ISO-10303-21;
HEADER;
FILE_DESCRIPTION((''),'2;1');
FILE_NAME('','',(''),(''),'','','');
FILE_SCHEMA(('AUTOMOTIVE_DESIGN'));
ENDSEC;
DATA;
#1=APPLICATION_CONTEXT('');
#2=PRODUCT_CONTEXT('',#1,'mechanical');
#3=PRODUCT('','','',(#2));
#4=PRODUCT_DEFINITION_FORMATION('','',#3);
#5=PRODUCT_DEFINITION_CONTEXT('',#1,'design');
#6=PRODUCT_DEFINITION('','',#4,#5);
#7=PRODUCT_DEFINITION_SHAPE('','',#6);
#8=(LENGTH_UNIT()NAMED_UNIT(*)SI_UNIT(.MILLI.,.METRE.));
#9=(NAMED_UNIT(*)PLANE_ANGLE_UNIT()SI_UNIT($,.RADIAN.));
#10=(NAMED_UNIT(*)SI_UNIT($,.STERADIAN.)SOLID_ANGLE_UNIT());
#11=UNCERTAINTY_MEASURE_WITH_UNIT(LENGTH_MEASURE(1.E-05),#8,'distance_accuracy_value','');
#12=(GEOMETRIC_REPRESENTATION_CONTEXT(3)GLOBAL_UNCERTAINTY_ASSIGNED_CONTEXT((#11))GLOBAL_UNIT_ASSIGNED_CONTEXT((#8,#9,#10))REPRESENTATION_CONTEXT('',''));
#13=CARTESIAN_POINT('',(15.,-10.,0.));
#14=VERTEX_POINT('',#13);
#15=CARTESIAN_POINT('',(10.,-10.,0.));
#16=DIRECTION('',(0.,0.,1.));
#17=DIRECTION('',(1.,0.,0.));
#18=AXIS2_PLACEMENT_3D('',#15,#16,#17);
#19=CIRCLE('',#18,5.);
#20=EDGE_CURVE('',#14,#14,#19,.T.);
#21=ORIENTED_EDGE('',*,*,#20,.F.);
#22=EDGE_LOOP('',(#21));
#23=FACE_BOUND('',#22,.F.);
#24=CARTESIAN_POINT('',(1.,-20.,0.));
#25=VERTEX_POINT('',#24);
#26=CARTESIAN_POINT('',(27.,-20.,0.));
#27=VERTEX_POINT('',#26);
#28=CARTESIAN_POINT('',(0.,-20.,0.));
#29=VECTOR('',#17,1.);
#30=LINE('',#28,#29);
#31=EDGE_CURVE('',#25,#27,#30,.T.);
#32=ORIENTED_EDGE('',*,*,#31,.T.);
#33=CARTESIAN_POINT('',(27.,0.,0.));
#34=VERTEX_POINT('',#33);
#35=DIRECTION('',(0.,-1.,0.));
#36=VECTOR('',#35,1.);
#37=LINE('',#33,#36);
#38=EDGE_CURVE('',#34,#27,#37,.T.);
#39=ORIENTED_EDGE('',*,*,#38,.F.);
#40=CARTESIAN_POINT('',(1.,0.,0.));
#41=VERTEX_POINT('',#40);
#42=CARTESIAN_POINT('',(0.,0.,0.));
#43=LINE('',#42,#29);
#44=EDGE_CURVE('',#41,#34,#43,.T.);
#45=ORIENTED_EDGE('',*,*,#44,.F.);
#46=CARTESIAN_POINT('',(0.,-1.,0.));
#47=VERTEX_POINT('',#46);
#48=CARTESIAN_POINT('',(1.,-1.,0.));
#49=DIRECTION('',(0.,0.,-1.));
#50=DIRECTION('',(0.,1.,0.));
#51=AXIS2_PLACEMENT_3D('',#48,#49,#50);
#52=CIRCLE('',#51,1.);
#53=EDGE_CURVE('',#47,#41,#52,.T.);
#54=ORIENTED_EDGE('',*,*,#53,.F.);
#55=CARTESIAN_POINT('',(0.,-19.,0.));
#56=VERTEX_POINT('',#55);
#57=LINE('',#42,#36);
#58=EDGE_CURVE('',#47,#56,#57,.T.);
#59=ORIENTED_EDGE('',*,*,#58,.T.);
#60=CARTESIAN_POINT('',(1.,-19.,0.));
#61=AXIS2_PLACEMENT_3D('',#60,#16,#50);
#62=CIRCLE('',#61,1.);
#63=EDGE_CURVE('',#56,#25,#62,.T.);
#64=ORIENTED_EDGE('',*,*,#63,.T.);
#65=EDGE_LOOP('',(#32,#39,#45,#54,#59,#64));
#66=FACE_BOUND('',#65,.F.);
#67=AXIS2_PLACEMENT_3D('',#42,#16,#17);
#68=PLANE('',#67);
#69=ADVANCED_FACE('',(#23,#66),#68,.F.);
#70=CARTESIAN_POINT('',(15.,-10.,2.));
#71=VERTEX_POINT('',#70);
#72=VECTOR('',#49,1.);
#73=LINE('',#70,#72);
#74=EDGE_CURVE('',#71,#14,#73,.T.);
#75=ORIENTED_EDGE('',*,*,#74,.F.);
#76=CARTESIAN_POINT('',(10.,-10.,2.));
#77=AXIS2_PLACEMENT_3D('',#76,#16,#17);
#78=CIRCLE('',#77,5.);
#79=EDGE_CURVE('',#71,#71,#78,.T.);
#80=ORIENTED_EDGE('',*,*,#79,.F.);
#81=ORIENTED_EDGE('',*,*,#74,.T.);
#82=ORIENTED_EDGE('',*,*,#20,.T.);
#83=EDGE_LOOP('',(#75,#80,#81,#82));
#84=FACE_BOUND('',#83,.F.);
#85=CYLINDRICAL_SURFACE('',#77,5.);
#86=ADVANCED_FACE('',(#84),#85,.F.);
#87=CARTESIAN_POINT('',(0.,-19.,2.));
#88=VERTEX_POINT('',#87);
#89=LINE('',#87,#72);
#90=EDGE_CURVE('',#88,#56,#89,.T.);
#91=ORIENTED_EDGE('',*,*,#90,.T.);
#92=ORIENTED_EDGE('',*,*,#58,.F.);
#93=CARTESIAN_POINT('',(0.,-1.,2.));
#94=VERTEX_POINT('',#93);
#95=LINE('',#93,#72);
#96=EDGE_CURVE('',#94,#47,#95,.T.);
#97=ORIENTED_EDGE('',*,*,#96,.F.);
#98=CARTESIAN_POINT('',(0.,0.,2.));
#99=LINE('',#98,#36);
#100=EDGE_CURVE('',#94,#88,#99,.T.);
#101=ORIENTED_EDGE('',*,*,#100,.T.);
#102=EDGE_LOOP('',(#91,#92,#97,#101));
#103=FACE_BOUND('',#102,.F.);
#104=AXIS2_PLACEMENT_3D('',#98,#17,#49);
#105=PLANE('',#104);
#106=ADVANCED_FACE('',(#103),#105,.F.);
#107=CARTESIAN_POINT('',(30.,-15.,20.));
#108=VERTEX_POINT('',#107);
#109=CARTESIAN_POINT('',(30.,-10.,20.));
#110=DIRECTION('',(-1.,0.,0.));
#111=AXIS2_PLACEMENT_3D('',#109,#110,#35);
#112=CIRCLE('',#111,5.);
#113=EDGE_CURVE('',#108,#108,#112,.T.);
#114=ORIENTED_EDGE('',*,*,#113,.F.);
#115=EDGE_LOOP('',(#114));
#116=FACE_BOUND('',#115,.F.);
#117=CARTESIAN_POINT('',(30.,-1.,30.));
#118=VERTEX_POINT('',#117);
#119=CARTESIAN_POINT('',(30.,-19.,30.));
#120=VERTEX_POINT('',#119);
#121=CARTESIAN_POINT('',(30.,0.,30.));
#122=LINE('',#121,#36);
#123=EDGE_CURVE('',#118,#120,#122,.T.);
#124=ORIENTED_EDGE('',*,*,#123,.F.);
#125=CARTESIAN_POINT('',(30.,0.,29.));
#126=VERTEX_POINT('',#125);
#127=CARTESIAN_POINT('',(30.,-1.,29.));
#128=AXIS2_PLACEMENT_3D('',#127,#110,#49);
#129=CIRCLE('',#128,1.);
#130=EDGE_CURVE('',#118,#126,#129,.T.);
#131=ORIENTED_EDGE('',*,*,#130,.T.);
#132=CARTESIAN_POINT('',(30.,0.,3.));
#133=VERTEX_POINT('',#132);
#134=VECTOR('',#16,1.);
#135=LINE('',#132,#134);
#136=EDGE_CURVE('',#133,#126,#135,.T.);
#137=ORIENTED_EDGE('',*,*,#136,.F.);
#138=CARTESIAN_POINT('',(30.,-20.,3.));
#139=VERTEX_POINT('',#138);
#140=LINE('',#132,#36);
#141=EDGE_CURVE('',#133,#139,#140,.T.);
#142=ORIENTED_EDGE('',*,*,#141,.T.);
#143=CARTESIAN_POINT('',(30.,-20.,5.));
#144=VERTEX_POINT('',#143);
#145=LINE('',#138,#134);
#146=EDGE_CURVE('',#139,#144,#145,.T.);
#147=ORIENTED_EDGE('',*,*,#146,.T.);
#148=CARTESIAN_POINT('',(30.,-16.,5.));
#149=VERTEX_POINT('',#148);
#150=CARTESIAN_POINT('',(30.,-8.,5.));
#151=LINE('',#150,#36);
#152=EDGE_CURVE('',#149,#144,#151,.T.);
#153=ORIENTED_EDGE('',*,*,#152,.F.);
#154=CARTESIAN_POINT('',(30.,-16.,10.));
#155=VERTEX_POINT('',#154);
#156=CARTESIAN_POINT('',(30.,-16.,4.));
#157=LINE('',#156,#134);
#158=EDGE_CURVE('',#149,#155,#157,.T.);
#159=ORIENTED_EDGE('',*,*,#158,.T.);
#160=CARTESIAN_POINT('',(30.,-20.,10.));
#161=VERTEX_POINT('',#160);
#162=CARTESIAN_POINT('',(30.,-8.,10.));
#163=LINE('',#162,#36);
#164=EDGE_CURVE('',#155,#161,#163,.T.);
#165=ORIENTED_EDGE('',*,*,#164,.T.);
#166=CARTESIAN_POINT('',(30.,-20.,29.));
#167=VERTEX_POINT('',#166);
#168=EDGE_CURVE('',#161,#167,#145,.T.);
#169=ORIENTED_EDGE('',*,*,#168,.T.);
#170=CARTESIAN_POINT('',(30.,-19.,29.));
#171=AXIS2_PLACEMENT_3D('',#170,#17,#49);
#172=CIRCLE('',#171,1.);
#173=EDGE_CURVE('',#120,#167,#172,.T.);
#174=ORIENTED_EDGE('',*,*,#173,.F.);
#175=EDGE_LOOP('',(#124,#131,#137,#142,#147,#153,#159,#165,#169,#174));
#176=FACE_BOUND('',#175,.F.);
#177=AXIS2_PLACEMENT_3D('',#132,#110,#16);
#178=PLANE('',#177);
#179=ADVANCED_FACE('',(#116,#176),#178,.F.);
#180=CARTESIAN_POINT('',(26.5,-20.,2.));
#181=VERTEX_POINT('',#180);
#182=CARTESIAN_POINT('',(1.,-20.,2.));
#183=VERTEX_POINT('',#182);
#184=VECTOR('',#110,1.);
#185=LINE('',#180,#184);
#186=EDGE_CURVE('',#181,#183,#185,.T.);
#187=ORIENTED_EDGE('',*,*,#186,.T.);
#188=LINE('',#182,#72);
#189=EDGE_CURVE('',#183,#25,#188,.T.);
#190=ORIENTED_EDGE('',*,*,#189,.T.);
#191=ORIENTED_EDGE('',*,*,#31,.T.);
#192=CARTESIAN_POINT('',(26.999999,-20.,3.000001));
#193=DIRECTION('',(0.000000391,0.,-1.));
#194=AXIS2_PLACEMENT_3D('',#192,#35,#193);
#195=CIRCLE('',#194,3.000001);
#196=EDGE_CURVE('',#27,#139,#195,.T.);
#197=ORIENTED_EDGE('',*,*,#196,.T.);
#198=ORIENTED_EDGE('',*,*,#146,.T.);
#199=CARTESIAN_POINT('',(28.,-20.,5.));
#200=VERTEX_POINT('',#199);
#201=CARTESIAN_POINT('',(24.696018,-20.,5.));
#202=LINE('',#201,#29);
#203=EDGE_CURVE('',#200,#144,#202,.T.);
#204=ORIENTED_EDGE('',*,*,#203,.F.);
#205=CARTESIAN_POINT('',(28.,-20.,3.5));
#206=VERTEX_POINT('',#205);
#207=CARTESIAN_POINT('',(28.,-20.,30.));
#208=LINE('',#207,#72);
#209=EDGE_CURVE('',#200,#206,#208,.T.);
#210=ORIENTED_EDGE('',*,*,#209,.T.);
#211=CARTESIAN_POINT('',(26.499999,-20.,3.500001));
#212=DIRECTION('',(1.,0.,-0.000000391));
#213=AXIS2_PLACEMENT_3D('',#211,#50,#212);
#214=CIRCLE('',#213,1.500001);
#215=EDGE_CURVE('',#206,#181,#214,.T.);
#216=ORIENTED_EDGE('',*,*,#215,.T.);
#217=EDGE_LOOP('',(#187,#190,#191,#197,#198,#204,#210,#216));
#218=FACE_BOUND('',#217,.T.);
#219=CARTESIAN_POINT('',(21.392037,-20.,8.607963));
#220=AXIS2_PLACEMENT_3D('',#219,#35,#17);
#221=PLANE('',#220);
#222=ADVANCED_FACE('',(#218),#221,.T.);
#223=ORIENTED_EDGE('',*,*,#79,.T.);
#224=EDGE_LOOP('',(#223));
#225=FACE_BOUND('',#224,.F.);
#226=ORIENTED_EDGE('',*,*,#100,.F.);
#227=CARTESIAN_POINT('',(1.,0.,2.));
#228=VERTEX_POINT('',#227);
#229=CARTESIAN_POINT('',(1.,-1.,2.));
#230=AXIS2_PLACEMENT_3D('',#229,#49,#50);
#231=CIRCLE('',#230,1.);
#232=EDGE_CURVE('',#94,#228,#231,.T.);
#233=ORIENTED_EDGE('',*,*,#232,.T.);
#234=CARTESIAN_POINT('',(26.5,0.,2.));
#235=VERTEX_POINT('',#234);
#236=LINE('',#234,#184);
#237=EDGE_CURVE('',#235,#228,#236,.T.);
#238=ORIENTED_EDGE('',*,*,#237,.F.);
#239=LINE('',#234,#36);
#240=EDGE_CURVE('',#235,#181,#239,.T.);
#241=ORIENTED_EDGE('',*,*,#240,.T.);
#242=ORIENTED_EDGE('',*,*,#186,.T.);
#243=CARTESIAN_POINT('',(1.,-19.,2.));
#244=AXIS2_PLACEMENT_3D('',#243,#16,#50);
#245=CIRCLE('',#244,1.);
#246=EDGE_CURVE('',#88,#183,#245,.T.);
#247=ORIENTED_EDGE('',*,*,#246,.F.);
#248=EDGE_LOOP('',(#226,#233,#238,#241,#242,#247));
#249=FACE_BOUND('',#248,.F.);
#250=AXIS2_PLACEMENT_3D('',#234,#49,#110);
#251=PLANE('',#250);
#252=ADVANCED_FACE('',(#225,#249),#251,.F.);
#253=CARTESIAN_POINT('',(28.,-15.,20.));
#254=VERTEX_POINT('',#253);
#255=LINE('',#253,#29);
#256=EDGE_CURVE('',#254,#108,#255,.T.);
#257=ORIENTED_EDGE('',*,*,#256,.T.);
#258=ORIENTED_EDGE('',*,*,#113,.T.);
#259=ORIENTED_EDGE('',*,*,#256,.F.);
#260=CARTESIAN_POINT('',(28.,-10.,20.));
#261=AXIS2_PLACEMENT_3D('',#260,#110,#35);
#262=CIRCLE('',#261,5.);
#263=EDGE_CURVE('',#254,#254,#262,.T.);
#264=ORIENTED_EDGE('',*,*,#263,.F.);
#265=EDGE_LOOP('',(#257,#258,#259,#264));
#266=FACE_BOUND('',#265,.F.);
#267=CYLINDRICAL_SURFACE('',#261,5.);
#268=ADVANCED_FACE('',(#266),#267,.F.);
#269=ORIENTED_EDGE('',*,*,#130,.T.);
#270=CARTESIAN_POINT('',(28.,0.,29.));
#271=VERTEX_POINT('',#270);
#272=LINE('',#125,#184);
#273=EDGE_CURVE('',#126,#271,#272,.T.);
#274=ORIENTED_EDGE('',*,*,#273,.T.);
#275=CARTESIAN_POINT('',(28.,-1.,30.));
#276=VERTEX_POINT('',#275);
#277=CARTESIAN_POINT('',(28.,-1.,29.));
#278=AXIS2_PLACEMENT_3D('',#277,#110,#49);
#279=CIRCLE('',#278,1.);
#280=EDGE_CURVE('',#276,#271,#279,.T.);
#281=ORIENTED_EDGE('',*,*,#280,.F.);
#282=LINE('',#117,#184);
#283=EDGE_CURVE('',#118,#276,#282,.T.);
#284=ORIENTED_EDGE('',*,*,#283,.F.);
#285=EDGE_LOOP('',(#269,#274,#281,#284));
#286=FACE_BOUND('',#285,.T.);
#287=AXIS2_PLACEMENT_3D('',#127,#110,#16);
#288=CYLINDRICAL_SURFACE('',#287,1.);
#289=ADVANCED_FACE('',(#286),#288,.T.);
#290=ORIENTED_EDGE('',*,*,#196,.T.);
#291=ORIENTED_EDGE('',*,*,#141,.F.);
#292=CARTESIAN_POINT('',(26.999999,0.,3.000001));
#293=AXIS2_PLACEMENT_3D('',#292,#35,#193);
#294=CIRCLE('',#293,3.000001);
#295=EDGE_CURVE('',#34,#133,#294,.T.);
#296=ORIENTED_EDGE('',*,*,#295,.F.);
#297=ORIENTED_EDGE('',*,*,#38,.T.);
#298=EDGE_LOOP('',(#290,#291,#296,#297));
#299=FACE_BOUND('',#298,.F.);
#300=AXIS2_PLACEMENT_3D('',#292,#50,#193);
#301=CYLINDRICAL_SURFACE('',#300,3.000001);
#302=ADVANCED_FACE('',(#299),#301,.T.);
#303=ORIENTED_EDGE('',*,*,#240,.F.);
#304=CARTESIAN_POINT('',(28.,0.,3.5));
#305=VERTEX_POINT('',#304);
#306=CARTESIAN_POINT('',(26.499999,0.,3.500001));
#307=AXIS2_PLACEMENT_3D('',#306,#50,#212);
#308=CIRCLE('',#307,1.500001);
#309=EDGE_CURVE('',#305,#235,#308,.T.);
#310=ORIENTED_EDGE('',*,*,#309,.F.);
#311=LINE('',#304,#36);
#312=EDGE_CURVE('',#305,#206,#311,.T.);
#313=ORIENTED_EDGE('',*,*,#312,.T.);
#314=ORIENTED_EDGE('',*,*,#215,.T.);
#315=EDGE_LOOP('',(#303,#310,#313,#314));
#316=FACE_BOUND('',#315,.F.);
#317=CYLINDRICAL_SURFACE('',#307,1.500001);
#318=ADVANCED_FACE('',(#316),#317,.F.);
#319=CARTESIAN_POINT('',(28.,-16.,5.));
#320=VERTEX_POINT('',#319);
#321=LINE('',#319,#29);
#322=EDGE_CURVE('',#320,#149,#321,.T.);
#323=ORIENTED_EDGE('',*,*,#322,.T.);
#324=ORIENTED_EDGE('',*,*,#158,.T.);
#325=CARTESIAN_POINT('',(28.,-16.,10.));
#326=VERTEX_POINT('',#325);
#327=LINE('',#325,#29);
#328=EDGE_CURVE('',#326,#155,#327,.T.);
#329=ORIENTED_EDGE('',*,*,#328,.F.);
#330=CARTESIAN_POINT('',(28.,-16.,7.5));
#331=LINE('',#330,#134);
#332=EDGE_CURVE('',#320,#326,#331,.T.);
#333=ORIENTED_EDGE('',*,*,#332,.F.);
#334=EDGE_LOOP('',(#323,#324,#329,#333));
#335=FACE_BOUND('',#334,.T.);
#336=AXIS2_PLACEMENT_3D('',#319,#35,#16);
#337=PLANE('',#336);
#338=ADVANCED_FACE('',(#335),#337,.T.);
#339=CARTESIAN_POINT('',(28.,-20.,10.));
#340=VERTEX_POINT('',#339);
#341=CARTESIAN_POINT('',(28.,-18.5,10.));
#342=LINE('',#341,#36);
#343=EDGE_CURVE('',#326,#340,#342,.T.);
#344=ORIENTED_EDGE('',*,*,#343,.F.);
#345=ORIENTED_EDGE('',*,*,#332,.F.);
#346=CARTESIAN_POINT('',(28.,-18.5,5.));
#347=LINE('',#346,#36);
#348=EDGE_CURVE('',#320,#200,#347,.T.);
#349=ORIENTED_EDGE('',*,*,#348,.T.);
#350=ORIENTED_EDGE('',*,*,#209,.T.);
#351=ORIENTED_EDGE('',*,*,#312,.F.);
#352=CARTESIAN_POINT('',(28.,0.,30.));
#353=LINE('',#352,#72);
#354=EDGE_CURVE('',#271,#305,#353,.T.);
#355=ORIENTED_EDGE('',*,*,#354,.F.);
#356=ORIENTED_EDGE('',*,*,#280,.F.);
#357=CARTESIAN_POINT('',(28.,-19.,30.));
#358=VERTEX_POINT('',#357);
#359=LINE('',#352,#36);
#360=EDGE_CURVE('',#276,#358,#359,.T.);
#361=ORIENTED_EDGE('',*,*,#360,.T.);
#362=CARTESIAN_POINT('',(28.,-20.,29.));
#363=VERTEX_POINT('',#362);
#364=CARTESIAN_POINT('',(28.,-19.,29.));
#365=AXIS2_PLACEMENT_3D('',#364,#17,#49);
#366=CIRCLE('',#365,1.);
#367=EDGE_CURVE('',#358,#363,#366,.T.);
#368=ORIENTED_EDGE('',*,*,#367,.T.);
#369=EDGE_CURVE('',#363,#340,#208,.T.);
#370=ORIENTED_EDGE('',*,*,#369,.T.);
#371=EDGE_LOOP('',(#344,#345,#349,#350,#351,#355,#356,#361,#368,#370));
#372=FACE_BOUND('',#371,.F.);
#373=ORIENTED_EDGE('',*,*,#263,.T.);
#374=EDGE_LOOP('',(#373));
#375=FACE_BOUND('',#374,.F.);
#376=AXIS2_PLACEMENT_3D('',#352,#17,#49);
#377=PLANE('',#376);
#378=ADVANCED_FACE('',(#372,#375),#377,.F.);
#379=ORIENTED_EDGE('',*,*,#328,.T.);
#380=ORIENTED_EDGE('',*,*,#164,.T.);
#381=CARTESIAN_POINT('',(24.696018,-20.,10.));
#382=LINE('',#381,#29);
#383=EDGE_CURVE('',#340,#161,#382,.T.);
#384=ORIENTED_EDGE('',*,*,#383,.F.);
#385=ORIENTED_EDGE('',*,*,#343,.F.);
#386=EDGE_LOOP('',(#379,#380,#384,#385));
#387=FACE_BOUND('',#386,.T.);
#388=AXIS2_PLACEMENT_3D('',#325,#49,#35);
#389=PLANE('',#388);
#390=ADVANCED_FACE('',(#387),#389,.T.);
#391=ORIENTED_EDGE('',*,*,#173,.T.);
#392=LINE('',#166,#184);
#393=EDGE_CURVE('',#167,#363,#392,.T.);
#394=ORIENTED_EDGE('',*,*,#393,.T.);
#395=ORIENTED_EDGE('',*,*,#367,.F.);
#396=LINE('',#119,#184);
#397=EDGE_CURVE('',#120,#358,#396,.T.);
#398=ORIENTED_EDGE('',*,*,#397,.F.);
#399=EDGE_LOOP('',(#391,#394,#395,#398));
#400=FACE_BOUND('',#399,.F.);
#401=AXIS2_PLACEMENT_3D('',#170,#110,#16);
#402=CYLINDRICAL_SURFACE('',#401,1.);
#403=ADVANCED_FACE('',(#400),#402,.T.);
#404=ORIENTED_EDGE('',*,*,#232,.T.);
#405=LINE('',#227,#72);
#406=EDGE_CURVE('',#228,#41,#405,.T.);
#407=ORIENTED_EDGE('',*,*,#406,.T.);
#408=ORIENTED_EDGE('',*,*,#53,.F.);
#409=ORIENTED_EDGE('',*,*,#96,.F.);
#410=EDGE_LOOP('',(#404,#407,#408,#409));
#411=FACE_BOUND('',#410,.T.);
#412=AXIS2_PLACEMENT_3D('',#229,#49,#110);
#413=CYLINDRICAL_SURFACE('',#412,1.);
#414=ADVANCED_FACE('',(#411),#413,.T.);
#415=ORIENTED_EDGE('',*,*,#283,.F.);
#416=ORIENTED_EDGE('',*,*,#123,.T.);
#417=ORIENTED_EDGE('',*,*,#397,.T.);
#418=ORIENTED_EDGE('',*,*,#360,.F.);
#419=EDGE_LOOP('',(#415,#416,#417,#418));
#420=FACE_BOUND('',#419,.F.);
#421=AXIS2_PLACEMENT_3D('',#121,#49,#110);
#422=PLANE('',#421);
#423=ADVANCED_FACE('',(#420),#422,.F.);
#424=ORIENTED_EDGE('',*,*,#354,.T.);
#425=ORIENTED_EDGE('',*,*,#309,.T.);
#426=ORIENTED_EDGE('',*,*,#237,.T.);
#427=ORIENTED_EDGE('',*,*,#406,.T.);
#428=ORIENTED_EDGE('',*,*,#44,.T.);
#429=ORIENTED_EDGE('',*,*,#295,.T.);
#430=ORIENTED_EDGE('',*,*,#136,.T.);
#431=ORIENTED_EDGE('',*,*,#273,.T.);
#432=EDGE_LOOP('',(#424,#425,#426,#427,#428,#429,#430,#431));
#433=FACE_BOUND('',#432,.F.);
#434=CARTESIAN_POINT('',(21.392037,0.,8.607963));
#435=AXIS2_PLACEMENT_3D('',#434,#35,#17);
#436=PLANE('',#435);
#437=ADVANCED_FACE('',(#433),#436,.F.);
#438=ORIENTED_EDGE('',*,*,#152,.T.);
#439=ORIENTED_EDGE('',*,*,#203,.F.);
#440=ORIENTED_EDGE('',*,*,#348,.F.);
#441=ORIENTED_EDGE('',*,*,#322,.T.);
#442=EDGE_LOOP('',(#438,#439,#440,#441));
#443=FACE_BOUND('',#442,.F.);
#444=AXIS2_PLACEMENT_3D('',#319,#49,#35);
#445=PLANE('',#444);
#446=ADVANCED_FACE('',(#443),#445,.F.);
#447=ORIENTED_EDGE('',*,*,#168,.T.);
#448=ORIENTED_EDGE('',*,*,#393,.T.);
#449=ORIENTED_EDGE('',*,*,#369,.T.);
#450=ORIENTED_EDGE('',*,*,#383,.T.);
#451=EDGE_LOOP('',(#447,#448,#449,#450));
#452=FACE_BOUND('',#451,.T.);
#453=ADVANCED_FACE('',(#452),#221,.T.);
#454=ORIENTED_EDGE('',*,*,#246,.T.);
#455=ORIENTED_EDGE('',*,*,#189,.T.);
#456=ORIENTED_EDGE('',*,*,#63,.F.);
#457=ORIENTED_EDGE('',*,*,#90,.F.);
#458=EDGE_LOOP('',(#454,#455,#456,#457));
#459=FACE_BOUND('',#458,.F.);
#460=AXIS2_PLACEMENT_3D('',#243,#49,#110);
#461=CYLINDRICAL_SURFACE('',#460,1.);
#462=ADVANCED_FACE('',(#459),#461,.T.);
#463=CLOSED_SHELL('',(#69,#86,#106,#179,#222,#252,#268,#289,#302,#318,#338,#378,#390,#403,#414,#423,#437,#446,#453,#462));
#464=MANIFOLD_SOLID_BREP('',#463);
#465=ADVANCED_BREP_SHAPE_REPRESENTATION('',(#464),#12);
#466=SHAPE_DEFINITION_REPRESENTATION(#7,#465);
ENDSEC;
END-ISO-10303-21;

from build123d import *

# Parameters (mm, degrees)
F1_DEPTH = 20
F2_R     = 1
F3_R     = 5
F3_W     = 5
F3_H     = 5
F4_DEPTH = 2.001
F5_R     = 5
F6_DEPTH = 2.001


with BuildPart() as f1:
    # F0 (on Front) → F1 (new body)
    with BuildSketch(Plane.XZ):
        with BuildLine():
            Line((0, 2), (0, 0))
            Line((0, 0), (27, 0))
            ThreePointArc((27, 0), (29.12132, 0.87868), (30, 3))
            Line((30, 3), (30, 30))
            Line((30, 30), (28, 30))
            Line((28, 30), (28, 3.5))
            ThreePointArc((28, 3.5), (27.56066, 2.43934), (26.5, 2))
            Line((26.5, 2), (0, 2))
        make_face()
    extrude(amount=F1_DEPTH)

    # F2
    f2_edges = [f1.edges().sort_by_distance(p)[0] for p in [
        (29, -20, 30),
        (29, 0, 30),
        (0, -20, 1),
        (0, 0, 1),
    ]]
    fillet(f2_edges, radius=F2_R)

    # F3 (on face) → F4 (cut, through all)
    with BuildSketch(Plane(origin=(28, 0, 0), x_dir=(0, -1, 0), z_dir=(-1, 0, 0))):
        with Locations((10, 20)):
            Circle(F3_R)
        with Locations((18.5, 7.5)):
            Rectangle(F3_W, F3_H)
    extrude(amount=-F4_DEPTH, mode=Mode.SUBTRACT)

    # F5 (on face) → F6 (cut, through all)
    with BuildSketch(Plane.XY.offset(2)):
        with Locations((10, -10)):
            Circle(F5_R)
    extrude(amount=-F6_DEPTH, mode=Mode.SUBTRACT)


solid = f1.part
